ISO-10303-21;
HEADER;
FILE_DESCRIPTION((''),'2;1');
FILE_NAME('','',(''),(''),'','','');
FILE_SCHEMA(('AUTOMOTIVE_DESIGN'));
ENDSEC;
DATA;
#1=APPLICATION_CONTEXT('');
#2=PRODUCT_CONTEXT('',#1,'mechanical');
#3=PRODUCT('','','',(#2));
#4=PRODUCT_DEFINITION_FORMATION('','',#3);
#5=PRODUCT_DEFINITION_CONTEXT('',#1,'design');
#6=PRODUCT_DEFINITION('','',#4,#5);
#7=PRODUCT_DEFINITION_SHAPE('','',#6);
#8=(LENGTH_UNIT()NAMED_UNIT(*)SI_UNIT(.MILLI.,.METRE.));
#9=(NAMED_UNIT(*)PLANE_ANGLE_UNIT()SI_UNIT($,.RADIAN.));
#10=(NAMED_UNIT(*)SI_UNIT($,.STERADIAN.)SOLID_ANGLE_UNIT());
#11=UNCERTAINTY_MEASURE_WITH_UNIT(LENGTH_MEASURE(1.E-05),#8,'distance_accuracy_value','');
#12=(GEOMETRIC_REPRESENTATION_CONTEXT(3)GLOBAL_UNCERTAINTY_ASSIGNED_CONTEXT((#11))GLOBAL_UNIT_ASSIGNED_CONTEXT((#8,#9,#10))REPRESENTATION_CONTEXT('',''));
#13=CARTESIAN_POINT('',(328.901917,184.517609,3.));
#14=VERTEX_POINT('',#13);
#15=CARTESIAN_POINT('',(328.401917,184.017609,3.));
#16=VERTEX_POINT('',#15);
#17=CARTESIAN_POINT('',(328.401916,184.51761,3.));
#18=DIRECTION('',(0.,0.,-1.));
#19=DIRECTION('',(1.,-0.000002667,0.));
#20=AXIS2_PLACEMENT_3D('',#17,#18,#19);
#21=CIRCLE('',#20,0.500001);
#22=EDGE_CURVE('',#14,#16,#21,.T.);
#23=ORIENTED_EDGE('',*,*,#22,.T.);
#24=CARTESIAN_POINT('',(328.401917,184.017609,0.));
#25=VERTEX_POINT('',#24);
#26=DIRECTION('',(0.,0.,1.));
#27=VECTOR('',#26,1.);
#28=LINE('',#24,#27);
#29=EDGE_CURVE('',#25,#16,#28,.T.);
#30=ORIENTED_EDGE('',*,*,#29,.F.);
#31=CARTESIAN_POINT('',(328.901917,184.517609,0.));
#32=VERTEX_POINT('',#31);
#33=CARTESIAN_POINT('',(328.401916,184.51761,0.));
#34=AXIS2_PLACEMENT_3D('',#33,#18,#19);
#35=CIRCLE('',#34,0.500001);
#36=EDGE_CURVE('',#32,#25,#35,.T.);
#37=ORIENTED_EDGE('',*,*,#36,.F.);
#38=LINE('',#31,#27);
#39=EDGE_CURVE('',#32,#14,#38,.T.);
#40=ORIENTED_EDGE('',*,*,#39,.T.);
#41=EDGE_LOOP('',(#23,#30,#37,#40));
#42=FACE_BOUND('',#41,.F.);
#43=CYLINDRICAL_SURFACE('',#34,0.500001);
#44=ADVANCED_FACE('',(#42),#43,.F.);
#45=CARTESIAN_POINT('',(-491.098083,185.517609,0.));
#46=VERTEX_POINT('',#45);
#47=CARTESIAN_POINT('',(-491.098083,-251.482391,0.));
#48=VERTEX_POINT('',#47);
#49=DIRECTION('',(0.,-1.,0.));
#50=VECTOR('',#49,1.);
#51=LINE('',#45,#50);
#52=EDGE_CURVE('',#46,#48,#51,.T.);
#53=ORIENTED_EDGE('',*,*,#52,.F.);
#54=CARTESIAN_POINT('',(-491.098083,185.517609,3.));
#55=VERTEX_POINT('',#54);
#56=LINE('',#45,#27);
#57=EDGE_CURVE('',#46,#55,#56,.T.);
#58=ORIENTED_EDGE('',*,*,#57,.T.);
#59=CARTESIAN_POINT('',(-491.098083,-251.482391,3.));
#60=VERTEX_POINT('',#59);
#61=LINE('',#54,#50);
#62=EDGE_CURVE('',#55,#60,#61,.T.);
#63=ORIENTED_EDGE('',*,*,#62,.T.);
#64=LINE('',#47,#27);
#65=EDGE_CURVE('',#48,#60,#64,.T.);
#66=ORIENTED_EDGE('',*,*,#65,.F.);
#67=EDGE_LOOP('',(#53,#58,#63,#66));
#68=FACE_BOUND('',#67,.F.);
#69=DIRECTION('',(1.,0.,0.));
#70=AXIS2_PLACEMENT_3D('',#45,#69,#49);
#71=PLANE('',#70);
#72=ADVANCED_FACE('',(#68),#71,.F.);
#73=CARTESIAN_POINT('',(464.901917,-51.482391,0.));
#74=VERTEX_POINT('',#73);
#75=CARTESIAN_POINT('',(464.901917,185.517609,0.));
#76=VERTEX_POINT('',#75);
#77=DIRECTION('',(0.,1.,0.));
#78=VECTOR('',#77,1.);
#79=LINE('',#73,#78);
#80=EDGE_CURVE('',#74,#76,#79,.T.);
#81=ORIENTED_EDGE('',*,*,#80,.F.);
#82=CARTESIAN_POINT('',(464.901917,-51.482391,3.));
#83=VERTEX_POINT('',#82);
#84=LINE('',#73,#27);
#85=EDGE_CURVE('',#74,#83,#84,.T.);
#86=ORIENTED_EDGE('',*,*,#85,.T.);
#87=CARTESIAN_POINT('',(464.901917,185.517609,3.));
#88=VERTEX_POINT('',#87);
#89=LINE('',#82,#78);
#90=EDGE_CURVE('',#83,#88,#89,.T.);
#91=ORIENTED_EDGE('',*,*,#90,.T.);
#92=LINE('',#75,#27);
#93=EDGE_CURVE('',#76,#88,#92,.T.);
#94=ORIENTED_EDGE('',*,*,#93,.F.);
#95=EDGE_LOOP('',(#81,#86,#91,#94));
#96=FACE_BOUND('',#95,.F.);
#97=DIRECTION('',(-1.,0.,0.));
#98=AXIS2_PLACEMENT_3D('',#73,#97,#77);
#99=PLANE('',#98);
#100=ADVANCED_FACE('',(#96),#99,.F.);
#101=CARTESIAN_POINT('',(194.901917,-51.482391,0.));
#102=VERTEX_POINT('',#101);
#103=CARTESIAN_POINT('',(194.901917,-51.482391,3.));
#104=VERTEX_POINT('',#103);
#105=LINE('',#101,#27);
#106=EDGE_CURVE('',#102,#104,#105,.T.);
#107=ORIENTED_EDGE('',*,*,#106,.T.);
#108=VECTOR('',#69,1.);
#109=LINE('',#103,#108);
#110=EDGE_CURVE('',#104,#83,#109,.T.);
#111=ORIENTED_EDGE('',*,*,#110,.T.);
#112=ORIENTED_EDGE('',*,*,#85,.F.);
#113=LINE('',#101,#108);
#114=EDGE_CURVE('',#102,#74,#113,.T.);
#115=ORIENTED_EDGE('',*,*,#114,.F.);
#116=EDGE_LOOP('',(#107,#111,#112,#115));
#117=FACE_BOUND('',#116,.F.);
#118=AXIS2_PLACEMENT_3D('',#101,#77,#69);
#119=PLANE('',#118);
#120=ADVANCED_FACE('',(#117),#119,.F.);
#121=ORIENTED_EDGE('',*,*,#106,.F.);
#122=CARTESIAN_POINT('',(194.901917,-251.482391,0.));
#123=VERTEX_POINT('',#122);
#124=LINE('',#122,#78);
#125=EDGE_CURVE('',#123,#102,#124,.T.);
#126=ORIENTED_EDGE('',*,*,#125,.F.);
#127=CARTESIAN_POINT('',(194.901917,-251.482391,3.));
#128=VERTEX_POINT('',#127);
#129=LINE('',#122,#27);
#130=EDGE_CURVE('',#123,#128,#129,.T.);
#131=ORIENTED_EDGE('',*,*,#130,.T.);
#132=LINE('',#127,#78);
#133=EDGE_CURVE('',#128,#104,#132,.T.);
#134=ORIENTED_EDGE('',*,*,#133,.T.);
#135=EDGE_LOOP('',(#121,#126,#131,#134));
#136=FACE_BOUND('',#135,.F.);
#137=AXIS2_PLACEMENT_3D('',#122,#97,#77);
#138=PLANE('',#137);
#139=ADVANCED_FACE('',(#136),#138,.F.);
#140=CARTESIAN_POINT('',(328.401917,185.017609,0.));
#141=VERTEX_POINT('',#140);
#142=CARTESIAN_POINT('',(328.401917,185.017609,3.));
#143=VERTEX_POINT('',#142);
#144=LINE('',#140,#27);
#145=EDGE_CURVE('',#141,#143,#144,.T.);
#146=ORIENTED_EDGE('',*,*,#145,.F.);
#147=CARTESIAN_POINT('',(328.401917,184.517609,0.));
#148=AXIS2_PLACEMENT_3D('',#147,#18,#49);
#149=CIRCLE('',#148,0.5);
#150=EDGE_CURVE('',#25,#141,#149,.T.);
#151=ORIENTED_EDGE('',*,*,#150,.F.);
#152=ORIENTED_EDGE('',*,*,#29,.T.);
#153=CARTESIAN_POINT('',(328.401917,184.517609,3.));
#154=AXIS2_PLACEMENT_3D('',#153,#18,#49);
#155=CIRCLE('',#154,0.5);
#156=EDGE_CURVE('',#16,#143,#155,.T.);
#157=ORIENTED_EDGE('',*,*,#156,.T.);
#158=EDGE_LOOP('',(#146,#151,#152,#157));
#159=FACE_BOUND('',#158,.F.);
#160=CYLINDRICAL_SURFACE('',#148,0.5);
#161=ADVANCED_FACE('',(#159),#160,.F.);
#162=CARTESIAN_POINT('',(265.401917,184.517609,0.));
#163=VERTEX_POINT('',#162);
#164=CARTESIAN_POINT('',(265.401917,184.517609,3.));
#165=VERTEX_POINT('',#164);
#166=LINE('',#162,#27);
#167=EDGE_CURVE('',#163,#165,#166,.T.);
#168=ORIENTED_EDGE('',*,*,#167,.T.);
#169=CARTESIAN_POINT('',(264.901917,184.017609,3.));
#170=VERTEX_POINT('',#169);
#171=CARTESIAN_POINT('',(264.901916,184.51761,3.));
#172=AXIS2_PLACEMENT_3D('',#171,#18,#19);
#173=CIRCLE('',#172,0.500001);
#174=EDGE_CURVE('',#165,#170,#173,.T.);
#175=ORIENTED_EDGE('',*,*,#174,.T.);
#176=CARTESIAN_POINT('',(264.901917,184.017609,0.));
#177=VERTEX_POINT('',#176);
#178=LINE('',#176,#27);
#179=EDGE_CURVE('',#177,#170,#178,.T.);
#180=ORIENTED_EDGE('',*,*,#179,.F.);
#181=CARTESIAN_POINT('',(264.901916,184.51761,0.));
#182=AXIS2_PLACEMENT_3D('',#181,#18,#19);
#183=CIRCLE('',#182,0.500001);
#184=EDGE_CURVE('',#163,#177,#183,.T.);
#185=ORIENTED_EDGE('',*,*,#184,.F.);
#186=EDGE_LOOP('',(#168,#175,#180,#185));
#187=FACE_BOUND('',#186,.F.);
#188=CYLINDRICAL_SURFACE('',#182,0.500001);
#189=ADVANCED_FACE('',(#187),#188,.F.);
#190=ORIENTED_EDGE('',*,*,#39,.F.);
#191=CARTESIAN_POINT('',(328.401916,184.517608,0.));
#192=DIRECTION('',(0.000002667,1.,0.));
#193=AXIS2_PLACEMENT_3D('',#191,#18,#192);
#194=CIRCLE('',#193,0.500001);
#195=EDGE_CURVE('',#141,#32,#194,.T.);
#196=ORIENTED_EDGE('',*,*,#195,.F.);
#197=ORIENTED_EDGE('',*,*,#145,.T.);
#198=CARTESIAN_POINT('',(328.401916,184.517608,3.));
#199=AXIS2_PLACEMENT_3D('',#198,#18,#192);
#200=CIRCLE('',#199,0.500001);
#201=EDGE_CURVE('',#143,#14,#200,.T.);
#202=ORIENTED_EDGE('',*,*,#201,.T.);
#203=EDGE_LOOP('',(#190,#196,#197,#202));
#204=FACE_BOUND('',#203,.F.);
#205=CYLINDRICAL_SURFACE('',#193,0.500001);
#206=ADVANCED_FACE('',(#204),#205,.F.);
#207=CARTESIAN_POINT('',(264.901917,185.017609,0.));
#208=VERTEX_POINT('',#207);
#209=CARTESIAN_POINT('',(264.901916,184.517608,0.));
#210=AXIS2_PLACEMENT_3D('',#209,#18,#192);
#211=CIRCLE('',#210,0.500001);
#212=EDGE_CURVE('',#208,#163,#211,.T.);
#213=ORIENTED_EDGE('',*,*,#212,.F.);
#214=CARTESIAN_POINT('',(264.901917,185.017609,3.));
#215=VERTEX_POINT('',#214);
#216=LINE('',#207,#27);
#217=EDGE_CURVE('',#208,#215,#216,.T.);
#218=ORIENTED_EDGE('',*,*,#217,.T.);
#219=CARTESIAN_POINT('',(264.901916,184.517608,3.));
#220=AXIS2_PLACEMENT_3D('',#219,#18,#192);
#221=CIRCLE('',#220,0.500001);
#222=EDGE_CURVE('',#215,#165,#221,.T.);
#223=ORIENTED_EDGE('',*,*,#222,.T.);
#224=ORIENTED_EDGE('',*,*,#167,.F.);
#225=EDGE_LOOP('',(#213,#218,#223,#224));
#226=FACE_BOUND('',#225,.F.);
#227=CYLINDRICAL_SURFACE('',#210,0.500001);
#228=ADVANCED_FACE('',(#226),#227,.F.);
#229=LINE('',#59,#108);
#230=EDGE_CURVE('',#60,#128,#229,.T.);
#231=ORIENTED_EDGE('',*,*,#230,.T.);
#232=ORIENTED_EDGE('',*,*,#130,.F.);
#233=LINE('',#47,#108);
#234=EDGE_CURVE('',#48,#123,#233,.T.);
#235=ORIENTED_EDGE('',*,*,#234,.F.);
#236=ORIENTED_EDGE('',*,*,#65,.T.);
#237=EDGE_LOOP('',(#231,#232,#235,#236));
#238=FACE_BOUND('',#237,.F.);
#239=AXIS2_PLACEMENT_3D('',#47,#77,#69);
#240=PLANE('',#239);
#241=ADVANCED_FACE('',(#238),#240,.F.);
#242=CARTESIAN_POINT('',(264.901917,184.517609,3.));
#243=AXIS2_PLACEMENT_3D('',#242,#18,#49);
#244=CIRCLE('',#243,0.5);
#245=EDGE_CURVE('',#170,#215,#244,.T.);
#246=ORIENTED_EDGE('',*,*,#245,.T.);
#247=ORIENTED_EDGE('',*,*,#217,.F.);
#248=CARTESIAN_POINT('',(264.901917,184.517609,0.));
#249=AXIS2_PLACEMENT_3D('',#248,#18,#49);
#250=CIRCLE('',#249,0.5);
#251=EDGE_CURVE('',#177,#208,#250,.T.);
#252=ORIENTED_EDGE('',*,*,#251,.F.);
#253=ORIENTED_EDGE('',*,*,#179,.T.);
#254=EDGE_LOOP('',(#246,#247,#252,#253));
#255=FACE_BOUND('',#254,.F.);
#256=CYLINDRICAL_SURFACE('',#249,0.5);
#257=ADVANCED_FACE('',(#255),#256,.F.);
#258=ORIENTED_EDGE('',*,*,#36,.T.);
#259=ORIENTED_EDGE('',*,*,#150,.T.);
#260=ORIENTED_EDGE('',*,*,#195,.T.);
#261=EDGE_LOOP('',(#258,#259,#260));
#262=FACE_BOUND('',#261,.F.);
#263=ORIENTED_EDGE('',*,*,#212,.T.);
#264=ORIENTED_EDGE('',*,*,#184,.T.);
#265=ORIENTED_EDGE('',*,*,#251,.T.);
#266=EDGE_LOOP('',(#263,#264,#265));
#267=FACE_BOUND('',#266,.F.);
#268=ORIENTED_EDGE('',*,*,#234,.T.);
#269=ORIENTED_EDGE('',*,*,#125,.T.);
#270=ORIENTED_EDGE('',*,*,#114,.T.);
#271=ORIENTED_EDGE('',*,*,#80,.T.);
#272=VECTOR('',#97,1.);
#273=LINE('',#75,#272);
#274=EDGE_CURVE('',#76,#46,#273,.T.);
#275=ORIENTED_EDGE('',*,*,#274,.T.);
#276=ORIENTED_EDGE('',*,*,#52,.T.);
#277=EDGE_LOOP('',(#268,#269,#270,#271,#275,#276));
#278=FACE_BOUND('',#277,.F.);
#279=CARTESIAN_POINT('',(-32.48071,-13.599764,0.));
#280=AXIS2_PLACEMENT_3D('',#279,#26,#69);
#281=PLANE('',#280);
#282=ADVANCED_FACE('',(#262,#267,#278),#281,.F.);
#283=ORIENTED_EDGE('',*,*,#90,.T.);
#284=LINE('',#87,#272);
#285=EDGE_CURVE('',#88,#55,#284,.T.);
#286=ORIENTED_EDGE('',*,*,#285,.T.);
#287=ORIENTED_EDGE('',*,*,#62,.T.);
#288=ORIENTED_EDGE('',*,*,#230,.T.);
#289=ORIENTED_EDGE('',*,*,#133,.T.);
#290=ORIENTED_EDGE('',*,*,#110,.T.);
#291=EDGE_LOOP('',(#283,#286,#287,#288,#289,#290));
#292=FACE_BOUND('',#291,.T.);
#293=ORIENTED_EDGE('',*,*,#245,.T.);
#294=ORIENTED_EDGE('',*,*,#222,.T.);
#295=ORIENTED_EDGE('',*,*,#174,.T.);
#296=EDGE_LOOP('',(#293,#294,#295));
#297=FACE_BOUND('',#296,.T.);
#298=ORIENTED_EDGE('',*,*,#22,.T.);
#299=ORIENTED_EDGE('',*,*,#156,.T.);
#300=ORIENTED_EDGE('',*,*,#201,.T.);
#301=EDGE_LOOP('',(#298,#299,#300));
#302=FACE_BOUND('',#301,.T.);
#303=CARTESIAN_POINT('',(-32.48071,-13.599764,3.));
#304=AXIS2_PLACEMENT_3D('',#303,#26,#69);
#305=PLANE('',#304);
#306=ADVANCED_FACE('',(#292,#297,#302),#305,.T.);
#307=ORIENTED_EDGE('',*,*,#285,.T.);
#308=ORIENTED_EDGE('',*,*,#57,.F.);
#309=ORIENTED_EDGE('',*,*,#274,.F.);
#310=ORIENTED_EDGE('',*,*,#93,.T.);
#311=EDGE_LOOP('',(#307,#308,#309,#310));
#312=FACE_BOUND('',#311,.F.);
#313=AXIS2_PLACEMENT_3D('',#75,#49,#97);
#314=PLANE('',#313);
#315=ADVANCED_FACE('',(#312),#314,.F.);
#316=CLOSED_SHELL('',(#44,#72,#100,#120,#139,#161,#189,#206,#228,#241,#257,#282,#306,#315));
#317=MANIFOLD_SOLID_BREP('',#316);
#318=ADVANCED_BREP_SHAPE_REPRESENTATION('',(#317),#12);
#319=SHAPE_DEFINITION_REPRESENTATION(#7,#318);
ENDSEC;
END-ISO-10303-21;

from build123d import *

# Parameters (mm, degrees)
F1_DEPTH = 3
F2_DEPTH = 25


with BuildPart() as f1:
    # F0 (on Top) → F1 (new body)
    with BuildSketch(Plane.XY):
        Polygon((201.401917, 185.517609), (-491.098083, 185.517609), (-491.098083, -251.482391), (194.901917, -251.482391), (194.901917, -51.482391), (464.901917, -51.482391), (464.901917, 185.517609), (328.401917, 185.517609), (264.901917, 185.517609), align=None)
        with BuildLine():
            ThreePointArc((264.901917, 184.017609), (264.401917, 184.517609), (264.901917, 185.017609))
            ThreePointArc((264.901917, 185.017609), (265.25547, 184.871162), (265.401917, 184.517609))
            ThreePointArc((265.401917, 184.517609), (265.25547, 184.164056), (264.901917, 184.017609))
        make_face(mode=Mode.SUBTRACT)
        with BuildLine():
            ThreePointArc((328.401917, 184.017609), (327.901917, 184.517609), (328.401917, 185.017609))
            ThreePointArc((328.401917, 185.017609), (328.75547, 184.871162), (328.901917, 184.517609))
            ThreePointArc((328.901917, 184.517609), (328.75547, 184.164056), (328.401917, 184.017609))
        make_face(mode=Mode.SUBTRACT)
    extrude(amount=F1_DEPTH)

    # F0 (on Top) → F2 (cut)
    with BuildSketch(Plane.XY):
        Polygon((201.401917, 185.517609), (-491.098083, 185.517609), (-491.098083, -251.482391), (194.901917, -251.482391), (194.901917, -51.482391), (464.901917, -51.482391), (464.901917, 185.517609), (328.401917, 185.517609), (264.901917, 185.517609), align=None)
        with BuildLine():
            ThreePointArc((264.901917, 184.017609), (264.401917, 184.517609), (264.901917, 185.017609))
            ThreePointArc((264.901917, 185.017609), (265.25547, 184.871162), (265.401917, 184.517609))
            ThreePointArc((265.401917, 184.517609), (265.25547, 184.164056), (264.901917, 184.017609))
        make_face(mode=Mode.SUBTRACT)
        with BuildLine():
            ThreePointArc((328.401917, 184.017609), (327.901917, 184.517609), (328.401917, 185.017609))
            ThreePointArc((328.401917, 185.017609), (328.75547, 184.871162), (328.901917, 184.517609))
            ThreePointArc((328.901917, 184.517609), (328.75547, 184.164056), (328.401917, 184.017609))
        make_face(mode=Mode.SUBTRACT)
    extrude(amount=-F2_DEPTH, mode=Mode.SUBTRACT)


solid = f1.part
